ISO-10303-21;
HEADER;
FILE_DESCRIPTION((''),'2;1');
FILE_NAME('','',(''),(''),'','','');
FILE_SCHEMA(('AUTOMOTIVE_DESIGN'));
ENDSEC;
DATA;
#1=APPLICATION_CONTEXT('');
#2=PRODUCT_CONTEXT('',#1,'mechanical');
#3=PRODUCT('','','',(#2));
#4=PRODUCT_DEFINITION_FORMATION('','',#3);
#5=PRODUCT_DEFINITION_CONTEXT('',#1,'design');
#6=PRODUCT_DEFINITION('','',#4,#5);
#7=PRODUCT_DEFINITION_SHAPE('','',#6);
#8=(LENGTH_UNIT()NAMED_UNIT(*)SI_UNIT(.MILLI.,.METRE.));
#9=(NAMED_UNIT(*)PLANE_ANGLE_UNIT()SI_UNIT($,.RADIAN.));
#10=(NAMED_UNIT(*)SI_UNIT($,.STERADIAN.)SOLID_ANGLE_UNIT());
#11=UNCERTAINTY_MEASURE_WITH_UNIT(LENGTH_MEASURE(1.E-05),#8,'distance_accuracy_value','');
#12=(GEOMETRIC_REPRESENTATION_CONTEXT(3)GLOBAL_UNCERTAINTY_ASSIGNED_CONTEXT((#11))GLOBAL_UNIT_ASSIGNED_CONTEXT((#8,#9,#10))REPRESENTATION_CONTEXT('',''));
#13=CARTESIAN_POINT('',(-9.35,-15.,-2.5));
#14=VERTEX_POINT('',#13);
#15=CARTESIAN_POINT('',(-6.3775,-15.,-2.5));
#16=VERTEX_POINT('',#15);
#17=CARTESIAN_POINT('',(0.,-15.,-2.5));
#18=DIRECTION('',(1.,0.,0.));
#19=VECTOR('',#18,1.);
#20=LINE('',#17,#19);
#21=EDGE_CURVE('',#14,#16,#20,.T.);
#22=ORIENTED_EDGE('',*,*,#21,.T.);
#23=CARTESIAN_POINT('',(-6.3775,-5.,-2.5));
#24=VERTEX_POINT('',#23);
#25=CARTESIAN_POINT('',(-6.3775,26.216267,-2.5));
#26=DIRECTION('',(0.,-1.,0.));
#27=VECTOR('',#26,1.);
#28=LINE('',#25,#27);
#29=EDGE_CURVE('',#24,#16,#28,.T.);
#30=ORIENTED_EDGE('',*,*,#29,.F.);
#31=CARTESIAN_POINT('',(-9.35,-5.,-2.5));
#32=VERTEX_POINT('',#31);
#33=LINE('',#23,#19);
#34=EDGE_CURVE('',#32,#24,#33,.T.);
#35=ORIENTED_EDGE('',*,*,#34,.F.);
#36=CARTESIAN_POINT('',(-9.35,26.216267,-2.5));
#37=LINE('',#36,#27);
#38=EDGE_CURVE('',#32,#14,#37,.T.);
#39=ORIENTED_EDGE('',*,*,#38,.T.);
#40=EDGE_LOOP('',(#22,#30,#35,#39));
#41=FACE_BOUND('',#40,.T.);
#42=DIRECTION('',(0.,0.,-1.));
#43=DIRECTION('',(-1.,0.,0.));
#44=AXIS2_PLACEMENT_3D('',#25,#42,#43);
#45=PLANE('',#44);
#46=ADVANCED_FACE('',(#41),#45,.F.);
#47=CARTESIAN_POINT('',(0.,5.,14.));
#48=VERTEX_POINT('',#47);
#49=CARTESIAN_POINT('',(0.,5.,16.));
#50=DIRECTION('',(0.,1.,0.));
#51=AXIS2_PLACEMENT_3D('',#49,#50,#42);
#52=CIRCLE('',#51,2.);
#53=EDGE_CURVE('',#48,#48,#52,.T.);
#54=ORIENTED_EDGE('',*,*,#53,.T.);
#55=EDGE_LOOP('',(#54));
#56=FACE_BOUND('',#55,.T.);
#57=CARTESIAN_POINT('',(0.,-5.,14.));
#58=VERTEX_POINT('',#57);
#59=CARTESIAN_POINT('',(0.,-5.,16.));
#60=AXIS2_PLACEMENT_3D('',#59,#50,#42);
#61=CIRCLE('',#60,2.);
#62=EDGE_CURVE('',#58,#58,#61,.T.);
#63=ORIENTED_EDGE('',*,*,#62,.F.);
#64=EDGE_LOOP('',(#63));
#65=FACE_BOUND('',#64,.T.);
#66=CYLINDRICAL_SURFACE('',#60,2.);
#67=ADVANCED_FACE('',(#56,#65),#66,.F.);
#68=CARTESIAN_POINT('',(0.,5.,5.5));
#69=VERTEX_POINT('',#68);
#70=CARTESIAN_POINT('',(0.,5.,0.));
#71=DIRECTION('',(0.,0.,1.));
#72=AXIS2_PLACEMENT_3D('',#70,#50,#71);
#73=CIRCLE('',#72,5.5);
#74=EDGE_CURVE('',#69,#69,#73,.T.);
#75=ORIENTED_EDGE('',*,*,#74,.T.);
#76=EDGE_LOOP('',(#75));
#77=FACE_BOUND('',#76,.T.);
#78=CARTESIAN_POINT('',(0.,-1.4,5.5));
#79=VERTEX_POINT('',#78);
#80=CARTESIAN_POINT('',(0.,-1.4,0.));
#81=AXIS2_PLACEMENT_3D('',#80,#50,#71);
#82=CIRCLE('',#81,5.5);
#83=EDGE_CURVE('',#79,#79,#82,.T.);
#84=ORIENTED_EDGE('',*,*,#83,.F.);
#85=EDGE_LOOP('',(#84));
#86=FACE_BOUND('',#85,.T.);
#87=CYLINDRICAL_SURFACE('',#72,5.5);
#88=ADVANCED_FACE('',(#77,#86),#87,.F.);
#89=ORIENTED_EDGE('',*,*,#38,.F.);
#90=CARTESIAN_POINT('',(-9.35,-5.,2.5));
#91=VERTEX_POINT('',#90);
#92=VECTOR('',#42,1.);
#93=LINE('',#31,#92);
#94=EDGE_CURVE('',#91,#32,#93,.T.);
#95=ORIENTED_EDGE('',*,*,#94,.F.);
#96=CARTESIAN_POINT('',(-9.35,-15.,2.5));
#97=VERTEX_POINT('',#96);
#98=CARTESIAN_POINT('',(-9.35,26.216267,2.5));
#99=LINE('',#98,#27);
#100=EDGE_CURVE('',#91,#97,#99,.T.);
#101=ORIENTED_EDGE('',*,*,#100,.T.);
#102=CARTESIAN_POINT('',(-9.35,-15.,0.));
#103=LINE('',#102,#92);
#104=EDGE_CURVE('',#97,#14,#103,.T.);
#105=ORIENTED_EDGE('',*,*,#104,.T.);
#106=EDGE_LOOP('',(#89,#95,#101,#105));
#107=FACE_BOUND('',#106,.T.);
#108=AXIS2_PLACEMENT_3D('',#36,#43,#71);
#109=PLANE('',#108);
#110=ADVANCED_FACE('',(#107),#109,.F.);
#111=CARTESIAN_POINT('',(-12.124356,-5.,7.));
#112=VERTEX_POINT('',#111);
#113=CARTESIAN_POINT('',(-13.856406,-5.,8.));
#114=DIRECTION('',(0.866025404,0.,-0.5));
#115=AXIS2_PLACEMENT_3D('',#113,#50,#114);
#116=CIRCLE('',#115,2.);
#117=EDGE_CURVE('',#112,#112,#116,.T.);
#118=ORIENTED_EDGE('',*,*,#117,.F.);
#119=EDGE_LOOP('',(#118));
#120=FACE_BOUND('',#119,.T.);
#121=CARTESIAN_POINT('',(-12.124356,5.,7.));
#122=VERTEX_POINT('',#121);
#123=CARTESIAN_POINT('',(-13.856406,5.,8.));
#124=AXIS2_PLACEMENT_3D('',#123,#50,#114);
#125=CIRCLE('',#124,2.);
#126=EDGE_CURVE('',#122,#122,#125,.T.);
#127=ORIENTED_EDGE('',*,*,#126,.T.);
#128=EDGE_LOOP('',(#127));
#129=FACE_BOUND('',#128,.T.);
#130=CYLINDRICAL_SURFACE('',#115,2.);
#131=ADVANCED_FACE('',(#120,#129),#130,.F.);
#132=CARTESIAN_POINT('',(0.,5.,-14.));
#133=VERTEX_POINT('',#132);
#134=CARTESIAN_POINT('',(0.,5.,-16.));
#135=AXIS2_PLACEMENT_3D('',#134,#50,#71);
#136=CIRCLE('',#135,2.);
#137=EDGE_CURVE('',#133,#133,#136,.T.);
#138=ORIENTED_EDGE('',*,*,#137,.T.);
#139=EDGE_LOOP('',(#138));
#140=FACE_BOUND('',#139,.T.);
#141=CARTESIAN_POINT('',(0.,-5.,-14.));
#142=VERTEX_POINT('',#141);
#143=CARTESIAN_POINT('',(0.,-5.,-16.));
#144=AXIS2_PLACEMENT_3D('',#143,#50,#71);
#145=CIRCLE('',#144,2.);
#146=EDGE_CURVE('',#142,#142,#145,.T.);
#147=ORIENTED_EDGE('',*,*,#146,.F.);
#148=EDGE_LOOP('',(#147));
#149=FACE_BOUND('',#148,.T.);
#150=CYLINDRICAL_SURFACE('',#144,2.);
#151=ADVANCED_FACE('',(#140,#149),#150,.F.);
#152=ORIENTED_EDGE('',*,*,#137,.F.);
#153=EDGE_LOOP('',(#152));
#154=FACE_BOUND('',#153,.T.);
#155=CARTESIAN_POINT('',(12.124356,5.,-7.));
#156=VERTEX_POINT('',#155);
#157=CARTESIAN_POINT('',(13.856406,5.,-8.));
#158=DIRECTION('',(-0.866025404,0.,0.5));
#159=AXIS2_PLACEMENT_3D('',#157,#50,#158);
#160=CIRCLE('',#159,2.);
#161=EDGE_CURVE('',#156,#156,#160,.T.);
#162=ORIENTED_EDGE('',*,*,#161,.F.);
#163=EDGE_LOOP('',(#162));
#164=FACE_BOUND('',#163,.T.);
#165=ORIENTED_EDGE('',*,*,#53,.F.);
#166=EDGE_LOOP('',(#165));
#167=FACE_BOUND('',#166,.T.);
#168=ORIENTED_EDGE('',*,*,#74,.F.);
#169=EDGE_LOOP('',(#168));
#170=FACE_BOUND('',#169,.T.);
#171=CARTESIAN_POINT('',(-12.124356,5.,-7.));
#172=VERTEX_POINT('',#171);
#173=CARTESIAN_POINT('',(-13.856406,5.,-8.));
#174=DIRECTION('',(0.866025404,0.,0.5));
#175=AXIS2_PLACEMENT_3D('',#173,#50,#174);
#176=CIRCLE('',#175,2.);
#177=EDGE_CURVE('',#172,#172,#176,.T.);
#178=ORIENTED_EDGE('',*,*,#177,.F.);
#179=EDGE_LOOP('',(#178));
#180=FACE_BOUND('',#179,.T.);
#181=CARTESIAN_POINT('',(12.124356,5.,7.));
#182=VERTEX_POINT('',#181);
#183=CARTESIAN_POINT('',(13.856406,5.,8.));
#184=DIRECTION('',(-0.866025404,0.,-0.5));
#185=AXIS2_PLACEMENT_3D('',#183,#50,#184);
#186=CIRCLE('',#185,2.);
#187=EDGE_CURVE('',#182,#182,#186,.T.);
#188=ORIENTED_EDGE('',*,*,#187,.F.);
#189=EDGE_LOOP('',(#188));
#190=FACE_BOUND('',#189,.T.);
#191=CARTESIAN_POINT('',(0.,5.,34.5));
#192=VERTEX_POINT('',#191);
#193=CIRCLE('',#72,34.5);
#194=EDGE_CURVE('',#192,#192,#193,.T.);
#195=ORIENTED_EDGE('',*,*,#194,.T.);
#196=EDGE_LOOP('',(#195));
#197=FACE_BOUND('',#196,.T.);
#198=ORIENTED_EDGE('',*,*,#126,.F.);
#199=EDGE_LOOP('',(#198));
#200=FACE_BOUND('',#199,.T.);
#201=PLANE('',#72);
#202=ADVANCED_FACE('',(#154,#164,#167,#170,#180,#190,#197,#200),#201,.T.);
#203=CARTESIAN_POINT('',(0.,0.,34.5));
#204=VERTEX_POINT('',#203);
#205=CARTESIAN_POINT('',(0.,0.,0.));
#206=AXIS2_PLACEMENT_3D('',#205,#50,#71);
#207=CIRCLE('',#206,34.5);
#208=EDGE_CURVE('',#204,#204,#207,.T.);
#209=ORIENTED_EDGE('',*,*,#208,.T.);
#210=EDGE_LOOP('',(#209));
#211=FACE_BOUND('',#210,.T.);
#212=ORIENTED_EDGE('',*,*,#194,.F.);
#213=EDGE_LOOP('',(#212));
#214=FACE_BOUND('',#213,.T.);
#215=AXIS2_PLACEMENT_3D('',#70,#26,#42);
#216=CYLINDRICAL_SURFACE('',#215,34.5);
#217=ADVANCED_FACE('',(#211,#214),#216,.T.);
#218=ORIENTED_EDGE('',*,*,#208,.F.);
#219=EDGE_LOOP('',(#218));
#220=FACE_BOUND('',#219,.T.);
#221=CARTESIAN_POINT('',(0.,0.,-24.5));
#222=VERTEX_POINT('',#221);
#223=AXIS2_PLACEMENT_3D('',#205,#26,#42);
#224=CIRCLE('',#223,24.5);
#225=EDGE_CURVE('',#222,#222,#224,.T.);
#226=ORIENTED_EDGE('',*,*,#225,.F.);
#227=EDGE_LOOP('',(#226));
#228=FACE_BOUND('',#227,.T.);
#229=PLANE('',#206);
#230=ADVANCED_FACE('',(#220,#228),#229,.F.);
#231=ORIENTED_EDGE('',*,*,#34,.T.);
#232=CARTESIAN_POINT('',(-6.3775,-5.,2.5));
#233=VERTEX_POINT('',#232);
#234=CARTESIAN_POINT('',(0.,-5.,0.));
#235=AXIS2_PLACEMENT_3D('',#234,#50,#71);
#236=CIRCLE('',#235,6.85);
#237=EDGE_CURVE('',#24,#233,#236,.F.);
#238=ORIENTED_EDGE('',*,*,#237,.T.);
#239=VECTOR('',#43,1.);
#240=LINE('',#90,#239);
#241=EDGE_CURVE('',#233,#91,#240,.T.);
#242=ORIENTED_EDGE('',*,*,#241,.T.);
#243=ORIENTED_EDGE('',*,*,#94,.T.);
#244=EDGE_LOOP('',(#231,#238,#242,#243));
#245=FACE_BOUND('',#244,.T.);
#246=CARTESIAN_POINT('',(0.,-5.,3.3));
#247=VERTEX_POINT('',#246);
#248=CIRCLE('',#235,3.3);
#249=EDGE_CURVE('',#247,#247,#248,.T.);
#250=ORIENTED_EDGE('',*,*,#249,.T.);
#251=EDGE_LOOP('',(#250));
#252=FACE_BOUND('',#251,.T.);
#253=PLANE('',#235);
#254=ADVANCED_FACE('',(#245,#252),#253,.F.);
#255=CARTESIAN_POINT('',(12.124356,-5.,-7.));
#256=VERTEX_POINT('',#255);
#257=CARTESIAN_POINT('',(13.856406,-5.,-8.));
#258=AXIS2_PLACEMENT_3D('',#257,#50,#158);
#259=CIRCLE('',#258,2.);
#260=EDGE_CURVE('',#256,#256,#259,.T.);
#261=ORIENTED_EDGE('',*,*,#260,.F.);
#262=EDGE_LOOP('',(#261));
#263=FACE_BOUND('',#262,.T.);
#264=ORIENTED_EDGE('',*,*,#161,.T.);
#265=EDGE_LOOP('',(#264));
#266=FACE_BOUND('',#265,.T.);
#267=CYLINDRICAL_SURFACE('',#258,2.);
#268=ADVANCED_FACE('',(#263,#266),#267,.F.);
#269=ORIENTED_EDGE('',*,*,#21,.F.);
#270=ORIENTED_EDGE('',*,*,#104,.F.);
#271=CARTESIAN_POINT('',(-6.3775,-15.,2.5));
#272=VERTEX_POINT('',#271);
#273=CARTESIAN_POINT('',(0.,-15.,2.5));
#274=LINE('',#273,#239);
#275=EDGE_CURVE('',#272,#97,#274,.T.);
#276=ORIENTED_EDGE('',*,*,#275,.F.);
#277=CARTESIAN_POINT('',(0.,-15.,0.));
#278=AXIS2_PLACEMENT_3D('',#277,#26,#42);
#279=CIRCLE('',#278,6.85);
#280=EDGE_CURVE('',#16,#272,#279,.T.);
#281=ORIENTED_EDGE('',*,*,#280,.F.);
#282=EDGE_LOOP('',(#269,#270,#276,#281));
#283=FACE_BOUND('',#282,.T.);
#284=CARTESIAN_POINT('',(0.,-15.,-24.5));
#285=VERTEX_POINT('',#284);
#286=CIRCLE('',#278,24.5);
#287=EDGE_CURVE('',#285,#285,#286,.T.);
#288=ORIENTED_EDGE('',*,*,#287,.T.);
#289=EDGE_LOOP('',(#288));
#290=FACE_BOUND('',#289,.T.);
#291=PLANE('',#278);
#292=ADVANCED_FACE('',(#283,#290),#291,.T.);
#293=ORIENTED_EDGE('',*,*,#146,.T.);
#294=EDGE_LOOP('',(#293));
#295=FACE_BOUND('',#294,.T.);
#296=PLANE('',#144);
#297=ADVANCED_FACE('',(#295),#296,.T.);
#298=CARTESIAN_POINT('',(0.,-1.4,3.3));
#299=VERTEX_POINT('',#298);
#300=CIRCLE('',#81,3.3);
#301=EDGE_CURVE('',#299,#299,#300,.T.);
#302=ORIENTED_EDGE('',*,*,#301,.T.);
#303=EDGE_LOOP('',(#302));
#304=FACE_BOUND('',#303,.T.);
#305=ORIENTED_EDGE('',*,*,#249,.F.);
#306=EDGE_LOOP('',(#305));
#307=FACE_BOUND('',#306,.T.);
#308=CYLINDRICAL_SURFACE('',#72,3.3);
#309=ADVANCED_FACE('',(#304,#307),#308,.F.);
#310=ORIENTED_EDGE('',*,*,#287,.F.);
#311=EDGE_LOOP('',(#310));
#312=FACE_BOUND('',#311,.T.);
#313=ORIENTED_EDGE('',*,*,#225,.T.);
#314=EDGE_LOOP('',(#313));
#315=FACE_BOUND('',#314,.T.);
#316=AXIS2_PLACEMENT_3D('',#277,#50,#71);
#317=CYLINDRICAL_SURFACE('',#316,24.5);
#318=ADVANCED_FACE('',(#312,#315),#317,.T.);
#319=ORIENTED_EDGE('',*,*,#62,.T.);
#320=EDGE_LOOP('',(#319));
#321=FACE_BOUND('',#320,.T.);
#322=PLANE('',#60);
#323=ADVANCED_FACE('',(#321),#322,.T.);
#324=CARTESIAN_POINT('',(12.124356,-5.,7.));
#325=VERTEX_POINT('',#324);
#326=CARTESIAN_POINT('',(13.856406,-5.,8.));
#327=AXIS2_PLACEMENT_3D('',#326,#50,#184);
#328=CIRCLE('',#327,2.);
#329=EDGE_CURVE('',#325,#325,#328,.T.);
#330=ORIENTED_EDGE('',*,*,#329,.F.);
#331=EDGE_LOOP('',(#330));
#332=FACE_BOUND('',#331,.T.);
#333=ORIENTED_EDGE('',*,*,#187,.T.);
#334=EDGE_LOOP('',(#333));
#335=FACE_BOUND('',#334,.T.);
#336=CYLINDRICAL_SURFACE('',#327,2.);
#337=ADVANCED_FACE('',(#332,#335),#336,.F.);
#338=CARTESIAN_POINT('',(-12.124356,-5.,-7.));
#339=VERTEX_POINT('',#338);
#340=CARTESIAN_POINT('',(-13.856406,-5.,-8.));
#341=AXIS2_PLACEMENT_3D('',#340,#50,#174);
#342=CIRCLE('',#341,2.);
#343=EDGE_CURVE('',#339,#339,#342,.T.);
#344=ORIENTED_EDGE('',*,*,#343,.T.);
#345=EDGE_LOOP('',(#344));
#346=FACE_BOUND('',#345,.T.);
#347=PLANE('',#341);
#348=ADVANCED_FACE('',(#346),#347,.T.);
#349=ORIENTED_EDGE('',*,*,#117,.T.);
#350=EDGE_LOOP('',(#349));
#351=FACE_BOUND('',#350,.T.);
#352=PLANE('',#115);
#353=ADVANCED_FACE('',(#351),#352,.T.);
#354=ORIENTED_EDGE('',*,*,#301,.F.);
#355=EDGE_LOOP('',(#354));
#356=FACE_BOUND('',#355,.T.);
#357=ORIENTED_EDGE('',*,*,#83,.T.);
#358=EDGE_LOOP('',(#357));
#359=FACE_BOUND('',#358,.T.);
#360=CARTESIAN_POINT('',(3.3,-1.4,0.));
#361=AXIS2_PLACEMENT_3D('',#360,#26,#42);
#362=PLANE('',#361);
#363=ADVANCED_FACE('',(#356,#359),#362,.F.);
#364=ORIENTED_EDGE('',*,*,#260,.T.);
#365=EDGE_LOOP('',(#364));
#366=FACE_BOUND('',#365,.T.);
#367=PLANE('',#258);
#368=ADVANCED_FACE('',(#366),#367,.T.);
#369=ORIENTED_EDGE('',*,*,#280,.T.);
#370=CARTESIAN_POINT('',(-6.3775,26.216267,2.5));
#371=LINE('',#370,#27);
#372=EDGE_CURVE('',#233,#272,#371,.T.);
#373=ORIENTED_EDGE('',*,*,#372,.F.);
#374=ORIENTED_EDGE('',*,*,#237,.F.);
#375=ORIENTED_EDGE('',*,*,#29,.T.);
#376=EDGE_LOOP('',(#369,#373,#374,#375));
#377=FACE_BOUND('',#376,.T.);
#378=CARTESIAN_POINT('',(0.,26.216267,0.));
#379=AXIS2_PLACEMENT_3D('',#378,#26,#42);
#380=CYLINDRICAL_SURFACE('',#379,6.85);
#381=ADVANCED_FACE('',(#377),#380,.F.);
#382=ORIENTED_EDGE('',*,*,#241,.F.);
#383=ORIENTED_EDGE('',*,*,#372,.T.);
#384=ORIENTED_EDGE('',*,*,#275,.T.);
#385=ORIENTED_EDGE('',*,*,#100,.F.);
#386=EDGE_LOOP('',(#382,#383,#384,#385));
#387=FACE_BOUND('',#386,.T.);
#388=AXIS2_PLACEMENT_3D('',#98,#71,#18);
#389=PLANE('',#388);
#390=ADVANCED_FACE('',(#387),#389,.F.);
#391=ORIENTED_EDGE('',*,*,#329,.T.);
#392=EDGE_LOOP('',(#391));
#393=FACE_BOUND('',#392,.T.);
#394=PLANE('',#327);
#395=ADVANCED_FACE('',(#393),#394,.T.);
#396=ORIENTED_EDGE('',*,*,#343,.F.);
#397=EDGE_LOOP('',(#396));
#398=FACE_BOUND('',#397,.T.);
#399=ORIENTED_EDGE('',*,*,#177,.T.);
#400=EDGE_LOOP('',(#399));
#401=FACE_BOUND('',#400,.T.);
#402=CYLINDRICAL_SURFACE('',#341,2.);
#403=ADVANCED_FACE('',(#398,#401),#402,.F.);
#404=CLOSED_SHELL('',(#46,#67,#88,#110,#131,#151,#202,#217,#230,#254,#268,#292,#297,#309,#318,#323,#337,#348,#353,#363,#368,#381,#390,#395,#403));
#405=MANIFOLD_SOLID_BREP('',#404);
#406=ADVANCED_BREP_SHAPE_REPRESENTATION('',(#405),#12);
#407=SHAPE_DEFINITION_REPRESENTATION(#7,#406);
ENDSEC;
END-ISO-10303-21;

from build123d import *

# Parameters (mm, degrees)
CROQUIS1_R                                          = 34.5
SALIENTE_EXTRUIR1_DEPTH                             = 5
CROQUIS2_R                                          = 24.5
SALIENTE_EXTRUIR2_DEPTH                             = 15
CROQUIS3_R                                          = 6.85
SALIENTE_EXTRUIR3_DEPTH                             = 30
CROQUIS4_R                                          = 2
CORTAR_EXTRUIR1_DEPTH                               = 10
MATRIZC1_COUNT                                      = 6
CORTAR_EXTRUIR2_START                               = -30
CORTAR_EXTRUIR2_DEPTH                               = 30
CUT_EXTRUDE1_START                                  = -40
CUT_EXTRUDE1_DEPTH                                  = 40
CBORE_FOR_M6_HEX_SOCKET_HEAD_CAP_SCREW1_D           = 6.6
CBORE_FOR_M6_HEX_SOCKET_HEAD_CAP_SCREW1_CBORE_D     = 11
CBORE_FOR_M6_HEX_SOCKET_HEAD_CAP_SCREW1_CBORE_DEPTH = 6.4


with BuildPart() as part:
    # Croquis1 → Saliente-Extruir1 (new body)
    with BuildSketch(Plane(origin=(0, 0, 0), x_dir=(1, 0, 0), z_dir=(0, 1, 0))):
        with Locations(Location((0, 0, 0), (0, 0, 270))):
            Circle(CROQUIS1_R)
    extrude(amount=SALIENTE_EXTRUIR1_DEPTH)

    # Croquis2 → Saliente-Extruir2 (add)
    with BuildSketch(Plane.XZ):
        with Locations(Location((0, 0, 0), (0, 0, 270))):
            Circle(CROQUIS2_R)
    extrude(amount=SALIENTE_EXTRUIR2_DEPTH)

    # Croquis3 → Saliente-Extruir3 (add)
    with BuildSketch(Plane.XZ.offset(15)):
        with Locations(Location((0, 0, 0), (0, 0, 270))):
            Circle(CROQUIS3_R)
    extrude(amount=SALIENTE_EXTRUIR3_DEPTH)

    # Croquis4 → Cortar-Extruir1 (cut)
    with BuildSketch(Plane(origin=(0, 5, 0), x_dir=(1, 0, 0), z_dir=(0, 1, 0))):
        with Locations(Location((0, 16, 0), (0, 0, 270))):
            Circle(CROQUIS4_R)
    cortar_extruir1 = extrude(amount=-CORTAR_EXTRUIR1_DEPTH, mode=Mode.SUBTRACT)

    # MatrizC1: Cortar-Extruir1 ×6 about axis
    matrizc1_axis = Axis((0, 0, 0), (0, 1, 0))
    for i in range(1, MATRIZC1_COUNT):
        add(cortar_extruir1.rotate(matrizc1_axis, i * 360 / MATRIZC1_COUNT), mode=Mode.SUBTRACT)

    # Croquis7 → Cortar-Extruir2 (cut)
    with BuildSketch(Plane.XZ.offset(45).offset(CORTAR_EXTRUIR2_START)):
        with BuildLine():
            Line((-6.37749951, 2.5), (-3.47749951, 2.5))
            Line((-3.47749951, 2.5), (-3.47749951, -2.5))
            Line((-3.47749951, -2.5), (-6.37749951, -2.5))
            ThreePointArc((-6.37749951, -2.5), (-6.85, 0), (-6.37749951, 2.5))
        make_face()
    extrude(amount=CORTAR_EXTRUIR2_DEPTH, mode=Mode.SUBTRACT)

    # Sketch1 → Cut-Extrude1 (cut)
    with BuildSketch(Plane.XZ.offset(45).offset(CUT_EXTRUDE1_START)):
        with BuildLine():
            Line((-6.37749951, -2.5), (-9.35, -2.5))
            Line((-9.35, -2.5), (-9.35, 2.5))
            Line((-9.35, 2.5), (-6.37749951, 2.5))
            ThreePointArc((-6.37749951, 2.5), (6.85, 0), (-6.37749951, -2.5))
        make_face()
    extrude(amount=CUT_EXTRUDE1_DEPTH, mode=Mode.SUBTRACT)

    # CBORE for M6 Hex Socket Head Cap Screw1 (through all)
    with Locations(Plane(origin=(0, 5, 0), x_dir=(1, 0, 0), z_dir=(0, 1, 0))):
        with Locations((0, 0)):
            CounterBoreHole(CBORE_FOR_M6_HEX_SOCKET_HEAD_CAP_SCREW1_D / 2, CBORE_FOR_M6_HEX_SOCKET_HEAD_CAP_SCREW1_CBORE_D / 2, CBORE_FOR_M6_HEX_SOCKET_HEAD_CAP_SCREW1_CBORE_DEPTH)


solid = part.part
